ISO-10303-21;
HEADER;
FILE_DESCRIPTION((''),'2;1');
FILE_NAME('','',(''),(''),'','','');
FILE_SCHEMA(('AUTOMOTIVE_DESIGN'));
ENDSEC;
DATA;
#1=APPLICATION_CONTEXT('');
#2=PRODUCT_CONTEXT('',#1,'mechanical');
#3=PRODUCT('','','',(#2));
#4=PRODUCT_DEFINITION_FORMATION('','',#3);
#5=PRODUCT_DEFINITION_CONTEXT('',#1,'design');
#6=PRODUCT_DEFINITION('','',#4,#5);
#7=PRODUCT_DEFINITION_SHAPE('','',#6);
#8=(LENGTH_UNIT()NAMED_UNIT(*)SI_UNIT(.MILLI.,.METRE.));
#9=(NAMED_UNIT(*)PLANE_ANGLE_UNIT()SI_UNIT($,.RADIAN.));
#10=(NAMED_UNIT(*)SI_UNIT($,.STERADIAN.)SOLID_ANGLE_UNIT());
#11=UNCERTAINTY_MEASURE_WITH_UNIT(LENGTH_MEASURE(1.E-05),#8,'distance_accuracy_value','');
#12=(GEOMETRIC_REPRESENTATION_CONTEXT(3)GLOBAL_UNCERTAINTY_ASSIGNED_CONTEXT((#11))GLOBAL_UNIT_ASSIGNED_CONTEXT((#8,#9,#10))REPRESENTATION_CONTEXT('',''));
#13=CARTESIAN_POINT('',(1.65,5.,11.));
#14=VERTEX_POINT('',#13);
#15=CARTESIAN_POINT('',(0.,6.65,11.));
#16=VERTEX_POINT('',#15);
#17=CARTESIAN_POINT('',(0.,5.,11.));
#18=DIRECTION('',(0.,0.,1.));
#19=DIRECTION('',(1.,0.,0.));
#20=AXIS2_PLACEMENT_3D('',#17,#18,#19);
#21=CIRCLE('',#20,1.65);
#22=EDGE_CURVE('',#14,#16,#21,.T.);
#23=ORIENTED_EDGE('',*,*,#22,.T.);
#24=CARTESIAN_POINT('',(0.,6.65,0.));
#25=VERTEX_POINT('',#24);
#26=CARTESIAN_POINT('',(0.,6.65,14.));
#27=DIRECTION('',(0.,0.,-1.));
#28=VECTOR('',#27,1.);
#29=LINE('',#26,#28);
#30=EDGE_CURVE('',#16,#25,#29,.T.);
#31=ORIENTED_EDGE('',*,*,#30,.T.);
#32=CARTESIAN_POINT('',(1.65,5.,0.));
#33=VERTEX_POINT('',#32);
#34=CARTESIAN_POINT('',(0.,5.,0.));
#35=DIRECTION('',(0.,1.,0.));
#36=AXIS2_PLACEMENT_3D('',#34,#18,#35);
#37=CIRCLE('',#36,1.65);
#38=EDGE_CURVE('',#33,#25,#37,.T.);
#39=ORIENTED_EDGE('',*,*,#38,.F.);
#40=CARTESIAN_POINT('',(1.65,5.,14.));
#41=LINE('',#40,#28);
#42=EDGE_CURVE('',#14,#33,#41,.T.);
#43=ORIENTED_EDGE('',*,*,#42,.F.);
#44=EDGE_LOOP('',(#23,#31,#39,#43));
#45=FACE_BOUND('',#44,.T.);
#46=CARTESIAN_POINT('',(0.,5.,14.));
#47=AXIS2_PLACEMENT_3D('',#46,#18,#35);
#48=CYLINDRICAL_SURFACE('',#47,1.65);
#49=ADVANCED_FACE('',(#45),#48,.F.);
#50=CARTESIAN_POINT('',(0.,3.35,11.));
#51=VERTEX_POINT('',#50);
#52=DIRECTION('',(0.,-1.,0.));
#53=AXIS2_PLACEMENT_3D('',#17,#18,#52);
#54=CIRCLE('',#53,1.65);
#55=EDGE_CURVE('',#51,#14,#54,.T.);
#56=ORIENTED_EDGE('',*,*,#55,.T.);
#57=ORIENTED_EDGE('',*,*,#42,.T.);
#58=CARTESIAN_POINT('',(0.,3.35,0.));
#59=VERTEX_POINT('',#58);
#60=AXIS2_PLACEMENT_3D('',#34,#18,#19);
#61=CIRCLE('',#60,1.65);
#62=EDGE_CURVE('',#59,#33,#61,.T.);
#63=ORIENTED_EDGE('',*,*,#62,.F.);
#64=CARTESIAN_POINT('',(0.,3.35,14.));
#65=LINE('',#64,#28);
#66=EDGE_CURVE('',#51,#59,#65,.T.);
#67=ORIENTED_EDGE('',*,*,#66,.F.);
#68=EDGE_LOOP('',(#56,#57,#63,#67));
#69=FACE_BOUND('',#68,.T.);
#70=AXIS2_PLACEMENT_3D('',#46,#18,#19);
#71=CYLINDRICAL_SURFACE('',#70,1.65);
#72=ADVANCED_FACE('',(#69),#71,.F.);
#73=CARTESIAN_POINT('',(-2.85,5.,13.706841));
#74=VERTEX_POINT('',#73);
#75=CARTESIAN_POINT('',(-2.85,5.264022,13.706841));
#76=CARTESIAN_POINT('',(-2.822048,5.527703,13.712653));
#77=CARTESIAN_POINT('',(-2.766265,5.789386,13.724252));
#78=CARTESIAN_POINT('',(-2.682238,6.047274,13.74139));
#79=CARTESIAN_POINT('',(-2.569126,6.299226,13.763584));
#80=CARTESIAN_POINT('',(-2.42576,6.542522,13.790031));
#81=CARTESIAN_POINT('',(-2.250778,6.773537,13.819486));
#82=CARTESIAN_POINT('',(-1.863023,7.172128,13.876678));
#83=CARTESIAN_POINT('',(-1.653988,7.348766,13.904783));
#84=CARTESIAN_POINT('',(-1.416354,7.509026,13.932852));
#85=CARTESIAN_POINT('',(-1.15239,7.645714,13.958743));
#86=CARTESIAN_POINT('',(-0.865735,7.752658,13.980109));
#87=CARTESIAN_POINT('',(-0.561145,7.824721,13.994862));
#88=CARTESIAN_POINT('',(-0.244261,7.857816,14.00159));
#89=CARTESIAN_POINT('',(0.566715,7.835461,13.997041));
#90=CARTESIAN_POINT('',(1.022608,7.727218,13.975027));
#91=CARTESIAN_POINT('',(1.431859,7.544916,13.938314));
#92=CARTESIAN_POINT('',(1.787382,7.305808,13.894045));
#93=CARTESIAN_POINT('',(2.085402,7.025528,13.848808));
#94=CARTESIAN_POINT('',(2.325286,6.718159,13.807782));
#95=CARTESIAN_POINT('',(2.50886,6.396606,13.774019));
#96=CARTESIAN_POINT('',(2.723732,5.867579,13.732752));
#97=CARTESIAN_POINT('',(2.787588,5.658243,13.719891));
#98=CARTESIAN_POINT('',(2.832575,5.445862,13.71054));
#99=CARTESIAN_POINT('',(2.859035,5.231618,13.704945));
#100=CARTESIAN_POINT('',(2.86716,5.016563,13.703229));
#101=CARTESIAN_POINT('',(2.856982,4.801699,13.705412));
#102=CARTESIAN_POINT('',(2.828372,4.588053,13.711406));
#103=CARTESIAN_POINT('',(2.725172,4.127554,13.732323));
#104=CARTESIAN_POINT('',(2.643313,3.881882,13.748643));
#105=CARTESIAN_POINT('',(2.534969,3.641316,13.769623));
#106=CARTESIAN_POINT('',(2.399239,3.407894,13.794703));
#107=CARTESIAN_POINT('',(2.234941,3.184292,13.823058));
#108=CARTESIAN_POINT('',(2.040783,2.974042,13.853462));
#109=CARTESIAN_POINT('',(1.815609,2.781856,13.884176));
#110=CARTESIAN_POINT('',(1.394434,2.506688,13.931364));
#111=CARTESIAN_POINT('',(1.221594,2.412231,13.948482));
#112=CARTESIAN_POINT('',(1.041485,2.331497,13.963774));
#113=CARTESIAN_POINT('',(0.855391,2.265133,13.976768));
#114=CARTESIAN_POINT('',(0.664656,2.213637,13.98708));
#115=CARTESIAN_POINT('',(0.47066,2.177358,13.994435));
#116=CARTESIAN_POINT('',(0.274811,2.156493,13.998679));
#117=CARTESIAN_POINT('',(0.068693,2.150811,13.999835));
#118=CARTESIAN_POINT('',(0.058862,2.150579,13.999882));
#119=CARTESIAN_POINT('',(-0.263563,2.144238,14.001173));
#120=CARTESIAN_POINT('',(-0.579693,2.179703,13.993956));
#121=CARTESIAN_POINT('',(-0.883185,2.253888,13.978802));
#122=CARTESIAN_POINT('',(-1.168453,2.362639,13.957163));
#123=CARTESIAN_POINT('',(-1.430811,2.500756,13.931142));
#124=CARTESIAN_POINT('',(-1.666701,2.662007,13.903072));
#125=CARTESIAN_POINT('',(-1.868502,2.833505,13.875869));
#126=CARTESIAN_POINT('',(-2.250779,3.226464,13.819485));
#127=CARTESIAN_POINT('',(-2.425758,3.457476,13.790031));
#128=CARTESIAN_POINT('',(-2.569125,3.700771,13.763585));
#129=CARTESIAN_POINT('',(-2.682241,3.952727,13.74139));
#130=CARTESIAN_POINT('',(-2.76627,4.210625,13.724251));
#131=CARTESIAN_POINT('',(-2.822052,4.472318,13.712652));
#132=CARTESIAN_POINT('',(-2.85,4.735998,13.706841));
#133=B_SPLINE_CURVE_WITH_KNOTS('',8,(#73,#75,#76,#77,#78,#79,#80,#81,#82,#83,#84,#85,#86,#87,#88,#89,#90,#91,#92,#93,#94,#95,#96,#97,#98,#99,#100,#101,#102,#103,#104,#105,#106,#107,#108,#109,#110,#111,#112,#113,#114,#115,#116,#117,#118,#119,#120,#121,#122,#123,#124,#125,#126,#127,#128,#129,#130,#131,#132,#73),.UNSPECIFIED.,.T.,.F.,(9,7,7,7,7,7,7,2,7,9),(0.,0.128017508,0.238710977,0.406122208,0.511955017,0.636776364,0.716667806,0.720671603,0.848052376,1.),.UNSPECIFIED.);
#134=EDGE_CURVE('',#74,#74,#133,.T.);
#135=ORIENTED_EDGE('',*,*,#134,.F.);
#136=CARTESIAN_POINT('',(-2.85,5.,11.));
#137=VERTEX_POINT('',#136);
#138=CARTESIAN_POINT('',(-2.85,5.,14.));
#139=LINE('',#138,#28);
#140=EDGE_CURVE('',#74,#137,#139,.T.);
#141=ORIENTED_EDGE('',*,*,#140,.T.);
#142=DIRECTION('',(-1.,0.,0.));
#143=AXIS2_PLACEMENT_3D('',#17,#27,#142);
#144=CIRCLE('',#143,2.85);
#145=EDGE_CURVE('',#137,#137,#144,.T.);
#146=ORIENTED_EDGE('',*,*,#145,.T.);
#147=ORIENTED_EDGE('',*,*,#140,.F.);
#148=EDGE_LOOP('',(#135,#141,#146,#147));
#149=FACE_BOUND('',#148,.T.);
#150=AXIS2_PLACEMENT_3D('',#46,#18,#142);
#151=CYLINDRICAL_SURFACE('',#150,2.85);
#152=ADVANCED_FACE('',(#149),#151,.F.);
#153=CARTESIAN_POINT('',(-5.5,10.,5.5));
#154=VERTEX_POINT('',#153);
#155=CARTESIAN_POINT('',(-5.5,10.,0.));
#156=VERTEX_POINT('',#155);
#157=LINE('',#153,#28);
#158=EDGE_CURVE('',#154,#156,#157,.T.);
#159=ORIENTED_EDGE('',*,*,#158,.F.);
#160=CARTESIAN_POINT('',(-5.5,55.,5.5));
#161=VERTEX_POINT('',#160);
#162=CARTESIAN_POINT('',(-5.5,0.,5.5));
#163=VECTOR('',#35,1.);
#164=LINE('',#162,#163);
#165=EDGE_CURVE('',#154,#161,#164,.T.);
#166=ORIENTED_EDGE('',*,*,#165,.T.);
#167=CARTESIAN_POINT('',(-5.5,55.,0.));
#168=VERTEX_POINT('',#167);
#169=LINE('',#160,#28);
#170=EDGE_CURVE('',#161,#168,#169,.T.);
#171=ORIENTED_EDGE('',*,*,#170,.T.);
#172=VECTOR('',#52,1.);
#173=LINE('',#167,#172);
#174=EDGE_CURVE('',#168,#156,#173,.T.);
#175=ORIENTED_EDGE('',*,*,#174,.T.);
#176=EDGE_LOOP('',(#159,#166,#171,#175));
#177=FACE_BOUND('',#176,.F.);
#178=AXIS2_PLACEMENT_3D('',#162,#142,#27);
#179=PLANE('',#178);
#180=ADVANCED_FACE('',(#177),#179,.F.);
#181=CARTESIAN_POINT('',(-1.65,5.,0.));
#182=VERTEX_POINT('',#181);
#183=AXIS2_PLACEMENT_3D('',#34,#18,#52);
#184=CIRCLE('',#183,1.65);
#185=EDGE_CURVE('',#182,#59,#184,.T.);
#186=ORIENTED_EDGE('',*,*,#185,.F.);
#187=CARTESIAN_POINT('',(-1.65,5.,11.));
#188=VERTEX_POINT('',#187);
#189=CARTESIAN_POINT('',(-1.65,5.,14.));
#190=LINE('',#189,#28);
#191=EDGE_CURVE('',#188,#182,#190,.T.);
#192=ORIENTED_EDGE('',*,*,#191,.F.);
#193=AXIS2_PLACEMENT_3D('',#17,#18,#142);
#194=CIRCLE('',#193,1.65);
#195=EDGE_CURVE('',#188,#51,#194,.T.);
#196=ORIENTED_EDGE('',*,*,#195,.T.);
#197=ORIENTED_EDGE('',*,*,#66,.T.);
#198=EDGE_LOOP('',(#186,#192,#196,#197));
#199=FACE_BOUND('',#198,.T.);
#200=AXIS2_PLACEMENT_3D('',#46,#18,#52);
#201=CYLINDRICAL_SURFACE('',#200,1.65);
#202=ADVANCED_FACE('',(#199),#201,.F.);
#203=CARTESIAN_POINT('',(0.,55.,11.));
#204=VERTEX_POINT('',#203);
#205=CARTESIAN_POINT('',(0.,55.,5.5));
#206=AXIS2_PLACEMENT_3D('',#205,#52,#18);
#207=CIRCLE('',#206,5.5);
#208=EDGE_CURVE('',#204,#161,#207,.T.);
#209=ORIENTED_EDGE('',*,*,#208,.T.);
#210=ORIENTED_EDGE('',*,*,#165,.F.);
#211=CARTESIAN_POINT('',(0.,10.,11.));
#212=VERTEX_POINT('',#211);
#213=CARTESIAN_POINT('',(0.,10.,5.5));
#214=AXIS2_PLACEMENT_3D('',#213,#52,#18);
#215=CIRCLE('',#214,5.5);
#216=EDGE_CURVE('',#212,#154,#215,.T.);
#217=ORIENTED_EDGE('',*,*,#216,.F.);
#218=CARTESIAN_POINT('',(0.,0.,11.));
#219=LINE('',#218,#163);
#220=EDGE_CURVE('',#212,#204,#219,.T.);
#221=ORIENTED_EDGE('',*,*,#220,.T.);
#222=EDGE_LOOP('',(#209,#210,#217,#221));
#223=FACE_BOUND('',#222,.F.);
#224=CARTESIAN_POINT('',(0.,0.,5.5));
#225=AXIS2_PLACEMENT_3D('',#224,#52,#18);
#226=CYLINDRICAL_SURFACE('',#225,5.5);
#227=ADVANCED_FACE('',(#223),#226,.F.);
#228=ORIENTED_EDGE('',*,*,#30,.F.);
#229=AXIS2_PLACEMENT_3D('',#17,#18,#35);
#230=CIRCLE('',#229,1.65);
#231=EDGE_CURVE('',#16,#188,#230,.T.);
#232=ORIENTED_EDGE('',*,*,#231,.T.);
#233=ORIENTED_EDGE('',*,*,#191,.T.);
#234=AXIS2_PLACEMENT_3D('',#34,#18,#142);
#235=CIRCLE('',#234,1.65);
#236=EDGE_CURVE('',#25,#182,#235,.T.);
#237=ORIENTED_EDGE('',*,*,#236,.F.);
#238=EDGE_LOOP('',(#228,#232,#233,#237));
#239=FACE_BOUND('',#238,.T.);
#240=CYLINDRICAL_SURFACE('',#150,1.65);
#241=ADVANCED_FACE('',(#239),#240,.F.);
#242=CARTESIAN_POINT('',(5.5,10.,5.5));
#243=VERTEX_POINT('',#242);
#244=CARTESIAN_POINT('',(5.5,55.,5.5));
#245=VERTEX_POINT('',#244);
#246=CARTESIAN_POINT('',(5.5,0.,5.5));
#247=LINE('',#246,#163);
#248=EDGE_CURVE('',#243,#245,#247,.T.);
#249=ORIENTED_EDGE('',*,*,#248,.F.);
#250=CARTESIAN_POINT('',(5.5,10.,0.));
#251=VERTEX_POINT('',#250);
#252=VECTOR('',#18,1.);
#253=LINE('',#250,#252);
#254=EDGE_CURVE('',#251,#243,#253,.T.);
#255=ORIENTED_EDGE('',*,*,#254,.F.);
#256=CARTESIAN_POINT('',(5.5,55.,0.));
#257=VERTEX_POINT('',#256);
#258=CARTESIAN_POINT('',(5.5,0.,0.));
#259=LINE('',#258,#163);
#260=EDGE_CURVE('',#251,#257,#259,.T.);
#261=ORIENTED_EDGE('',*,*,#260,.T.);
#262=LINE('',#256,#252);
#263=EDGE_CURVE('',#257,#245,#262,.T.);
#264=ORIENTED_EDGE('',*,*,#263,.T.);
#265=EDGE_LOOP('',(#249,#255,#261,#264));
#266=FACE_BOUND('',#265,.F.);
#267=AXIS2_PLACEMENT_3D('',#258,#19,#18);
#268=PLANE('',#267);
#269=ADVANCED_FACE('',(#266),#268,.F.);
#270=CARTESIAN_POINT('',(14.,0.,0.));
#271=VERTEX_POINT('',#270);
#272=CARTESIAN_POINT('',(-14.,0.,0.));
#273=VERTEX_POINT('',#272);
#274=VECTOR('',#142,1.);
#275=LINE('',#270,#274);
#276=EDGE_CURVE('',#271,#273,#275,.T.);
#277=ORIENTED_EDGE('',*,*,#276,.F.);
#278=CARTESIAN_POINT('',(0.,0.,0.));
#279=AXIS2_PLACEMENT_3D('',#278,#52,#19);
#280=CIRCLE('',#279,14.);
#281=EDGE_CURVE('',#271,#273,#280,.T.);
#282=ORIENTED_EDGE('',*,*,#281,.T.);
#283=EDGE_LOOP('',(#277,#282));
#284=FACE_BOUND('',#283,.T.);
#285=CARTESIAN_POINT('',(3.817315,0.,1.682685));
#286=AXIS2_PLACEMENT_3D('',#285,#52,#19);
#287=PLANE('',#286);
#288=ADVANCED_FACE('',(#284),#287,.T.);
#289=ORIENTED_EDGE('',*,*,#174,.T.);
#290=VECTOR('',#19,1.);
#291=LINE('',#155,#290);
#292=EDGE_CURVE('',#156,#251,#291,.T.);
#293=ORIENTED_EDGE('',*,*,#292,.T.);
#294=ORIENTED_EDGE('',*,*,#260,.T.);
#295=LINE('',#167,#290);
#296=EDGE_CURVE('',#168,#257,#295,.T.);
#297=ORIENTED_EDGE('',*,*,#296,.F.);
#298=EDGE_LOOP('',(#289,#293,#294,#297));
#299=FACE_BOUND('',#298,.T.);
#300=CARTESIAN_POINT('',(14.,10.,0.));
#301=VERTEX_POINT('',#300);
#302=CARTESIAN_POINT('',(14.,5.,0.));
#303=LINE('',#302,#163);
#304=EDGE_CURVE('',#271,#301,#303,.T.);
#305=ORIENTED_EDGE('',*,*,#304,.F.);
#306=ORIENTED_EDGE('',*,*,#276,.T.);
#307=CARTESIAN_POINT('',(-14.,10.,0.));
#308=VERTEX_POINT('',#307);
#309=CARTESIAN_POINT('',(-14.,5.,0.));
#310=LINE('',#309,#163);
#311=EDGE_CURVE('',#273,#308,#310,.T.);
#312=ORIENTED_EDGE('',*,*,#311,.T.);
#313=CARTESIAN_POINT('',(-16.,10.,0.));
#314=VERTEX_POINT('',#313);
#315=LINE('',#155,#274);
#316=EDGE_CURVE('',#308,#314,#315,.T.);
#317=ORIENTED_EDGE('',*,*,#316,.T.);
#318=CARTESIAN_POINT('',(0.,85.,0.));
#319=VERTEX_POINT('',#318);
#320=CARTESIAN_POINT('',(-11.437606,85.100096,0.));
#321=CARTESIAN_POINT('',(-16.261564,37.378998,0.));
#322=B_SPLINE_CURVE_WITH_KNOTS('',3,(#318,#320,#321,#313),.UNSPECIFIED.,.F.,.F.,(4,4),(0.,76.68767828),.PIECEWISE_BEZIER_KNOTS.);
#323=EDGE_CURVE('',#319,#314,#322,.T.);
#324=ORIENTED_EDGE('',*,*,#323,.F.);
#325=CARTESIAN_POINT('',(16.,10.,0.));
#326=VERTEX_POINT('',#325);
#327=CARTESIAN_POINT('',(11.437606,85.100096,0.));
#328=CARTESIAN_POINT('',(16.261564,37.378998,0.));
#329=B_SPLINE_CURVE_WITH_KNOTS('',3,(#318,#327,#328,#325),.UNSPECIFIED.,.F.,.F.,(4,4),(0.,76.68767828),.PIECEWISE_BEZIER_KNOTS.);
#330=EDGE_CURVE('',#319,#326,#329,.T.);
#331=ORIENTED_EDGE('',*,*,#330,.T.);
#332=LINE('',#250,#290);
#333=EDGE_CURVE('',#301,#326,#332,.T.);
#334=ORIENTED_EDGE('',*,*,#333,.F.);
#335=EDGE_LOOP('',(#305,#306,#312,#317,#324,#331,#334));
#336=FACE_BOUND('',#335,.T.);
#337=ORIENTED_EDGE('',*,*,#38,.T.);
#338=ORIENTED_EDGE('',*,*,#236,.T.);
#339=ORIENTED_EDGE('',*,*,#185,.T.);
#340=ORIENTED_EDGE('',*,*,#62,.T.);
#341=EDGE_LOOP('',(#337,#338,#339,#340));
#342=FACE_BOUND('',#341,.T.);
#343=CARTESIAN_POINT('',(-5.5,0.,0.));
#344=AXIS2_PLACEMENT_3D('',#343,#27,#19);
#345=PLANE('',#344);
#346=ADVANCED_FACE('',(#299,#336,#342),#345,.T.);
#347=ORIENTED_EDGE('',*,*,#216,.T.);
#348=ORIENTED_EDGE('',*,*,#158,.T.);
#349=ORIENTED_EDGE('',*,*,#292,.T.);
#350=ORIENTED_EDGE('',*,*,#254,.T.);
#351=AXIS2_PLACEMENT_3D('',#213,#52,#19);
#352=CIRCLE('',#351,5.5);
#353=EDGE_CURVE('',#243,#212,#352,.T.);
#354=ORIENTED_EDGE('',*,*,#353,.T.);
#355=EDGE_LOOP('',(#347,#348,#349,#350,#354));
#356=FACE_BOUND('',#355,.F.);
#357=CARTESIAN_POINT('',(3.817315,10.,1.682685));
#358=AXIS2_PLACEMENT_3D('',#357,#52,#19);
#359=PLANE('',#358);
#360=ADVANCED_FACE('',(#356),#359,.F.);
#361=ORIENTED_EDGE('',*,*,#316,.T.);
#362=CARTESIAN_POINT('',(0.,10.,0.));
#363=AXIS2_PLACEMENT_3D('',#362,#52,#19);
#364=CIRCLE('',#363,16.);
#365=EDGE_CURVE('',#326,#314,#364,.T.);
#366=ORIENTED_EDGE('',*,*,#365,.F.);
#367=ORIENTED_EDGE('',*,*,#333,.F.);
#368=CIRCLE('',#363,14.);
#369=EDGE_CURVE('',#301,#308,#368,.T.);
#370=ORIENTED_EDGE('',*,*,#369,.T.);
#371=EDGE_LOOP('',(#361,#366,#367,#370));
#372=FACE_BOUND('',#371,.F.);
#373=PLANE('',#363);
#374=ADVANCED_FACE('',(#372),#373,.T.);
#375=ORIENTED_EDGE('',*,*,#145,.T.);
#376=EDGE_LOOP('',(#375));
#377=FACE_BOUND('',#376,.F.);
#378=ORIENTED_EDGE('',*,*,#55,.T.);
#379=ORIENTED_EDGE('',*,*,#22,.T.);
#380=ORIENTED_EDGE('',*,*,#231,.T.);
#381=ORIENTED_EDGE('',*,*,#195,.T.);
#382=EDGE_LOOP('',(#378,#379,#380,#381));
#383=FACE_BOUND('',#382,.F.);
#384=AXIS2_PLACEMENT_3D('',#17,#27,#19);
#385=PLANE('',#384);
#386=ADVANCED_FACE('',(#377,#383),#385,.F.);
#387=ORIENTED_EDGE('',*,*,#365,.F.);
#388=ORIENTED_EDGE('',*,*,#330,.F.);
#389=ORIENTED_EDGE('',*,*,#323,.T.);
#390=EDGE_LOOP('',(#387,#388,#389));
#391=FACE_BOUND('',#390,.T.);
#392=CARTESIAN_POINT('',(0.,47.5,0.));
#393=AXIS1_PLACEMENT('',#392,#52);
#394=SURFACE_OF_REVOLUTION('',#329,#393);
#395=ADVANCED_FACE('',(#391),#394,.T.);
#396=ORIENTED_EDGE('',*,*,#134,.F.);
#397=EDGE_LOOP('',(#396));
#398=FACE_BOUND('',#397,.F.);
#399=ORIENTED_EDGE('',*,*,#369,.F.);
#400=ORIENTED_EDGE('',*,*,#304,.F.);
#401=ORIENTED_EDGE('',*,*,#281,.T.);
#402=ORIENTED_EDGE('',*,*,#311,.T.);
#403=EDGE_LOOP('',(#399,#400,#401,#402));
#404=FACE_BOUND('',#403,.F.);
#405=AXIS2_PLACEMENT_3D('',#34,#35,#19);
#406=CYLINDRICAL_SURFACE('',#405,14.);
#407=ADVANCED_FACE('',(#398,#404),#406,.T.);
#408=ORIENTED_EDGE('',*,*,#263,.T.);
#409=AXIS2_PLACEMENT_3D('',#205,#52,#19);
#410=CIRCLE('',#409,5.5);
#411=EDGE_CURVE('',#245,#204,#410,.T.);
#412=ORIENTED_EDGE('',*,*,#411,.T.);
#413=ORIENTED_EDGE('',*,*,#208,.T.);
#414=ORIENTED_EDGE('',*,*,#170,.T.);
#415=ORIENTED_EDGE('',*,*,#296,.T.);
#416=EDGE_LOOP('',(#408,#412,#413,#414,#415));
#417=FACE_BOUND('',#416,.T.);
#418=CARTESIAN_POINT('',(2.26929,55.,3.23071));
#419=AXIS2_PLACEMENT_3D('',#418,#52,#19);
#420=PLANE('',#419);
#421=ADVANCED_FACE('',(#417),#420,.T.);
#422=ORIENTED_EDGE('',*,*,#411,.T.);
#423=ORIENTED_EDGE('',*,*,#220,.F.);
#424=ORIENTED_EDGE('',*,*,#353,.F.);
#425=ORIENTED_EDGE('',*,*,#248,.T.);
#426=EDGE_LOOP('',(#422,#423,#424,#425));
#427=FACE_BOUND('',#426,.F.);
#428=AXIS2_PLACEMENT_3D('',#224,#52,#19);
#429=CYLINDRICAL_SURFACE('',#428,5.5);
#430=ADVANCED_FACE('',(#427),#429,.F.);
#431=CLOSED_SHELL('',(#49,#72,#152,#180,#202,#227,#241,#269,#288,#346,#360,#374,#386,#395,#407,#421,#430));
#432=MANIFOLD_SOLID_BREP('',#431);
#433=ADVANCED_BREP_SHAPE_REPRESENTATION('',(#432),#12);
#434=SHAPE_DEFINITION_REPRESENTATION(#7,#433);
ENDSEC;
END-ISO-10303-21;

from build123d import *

# Parameters (mm, degrees)
F0_W     = 8.5
F0_H     = 10
F2_ANGLE = 180
F3_DEPTH = 55
F4_DEPTH = 10
F7_DEPTH = 25
F8_DEPTH = 3


with BuildPart() as f2:
    # F0 (on Top) → F2 (revolve)
    with BuildSketch(Plane.XY):
        with BuildLine():
            Line((0, 85), (0, 45))
            Line((0, 45), (5.5, 45))
            Line((5.5, 45), (5.5, 10))
            Line((5.5, 10), (14, 10))
            Line((14, 10), (16, 10))
            add(Edge.make_bspline(
                [(0, 85), (11.4376060665, 85.1000958681), (16.2615635544, 37.3789982498), (16, 10)],
                knots=[0, 0, 0, 0, 76.6876782802, 76.6876782802, 76.6876782802, 76.6876782802], degree=3))
        make_face()
        with Locations((9.75, 5)):
            Rectangle(F0_W, F0_H)
    revolve(axis=Axis((0, 47.5, 0), (0, -1, 0)), revolution_arc=F2_ANGLE)

    # F1 (on Front) → F3 (cut)
    with BuildSketch(Plane.XZ):
        with BuildLine():
            Line((0, 5.5), (0, 0))
            ThreePointArc((0, 0), (3.8890872965, 1.6109127035), (5.5, 5.5))
            Line((5.5, 5.5), (0, 5.5))
        make_face()
        with BuildLine():
            ThreePointArc((5.5, 5.5), (3.8890872965, 1.6109127035), (0, 0))
            Line((0, 0), (5.5, 0))
            Line((5.5, 0), (5.5, 5.5))
        make_face()
        with BuildLine():
            Line((-5.5, 0), (0, 0))
            ThreePointArc((0, 0), (-3.8890872965, 1.6109127035), (-5.5, 5.5))
            Line((-5.5, 5.5), (-5.5, 0))
        make_face()
        with BuildLine():
            ThreePointArc((-5.5, 5.5), (-3.8890872965, 1.6109127035), (0, 0))
            Line((0, 0), (0, 5.5))
            Line((0, 5.5), (-5.5, 5.5))
        make_face()
        with BuildLine():
            Line((-5.5, 5.5), (0, 5.5))
            Line((0, 5.5), (0, 11))
            ThreePointArc((0, 11), (-3.8890872965, 9.3890872965), (-5.5, 5.5))
        make_face()
        with BuildLine():
            Line((0, 11), (0, 5.5))
            Line((0, 5.5), (5.5, 5.5))
            ThreePointArc((5.5, 5.5), (3.8890872965, 9.3890872965), (0, 11))
        make_face()
    extrude(amount=-F3_DEPTH, mode=Mode.SUBTRACT)

    # F1 (on Front) → F4 (join)
    with BuildSketch(Plane.XZ):
        with BuildLine():
            ThreePointArc((5.5, 5.5), (3.8890872965, 1.6109127035), (0, 0))
            Line((0, 0), (5.5, 0))
            Line((5.5, 0), (5.5, 5.5))
        make_face()
        with BuildLine():
            Line((0, 5.5), (0, 0))
            ThreePointArc((0, 0), (3.8890872965, 1.6109127035), (5.5, 5.5))
            Line((5.5, 5.5), (0, 5.5))
        make_face()
        with BuildLine():
            Line((0, 11), (0, 5.5))
            Line((0, 5.5), (5.5, 5.5))
            ThreePointArc((5.5, 5.5), (3.8890872965, 9.3890872965), (0, 11))
        make_face()
        with BuildLine():
            Line((-5.5, 5.5), (0, 5.5))
            Line((0, 5.5), (0, 11))
            ThreePointArc((0, 11), (-3.8890872965, 9.3890872965), (-5.5, 5.5))
        make_face()
        with BuildLine():
            ThreePointArc((-5.5, 5.5), (-3.8890872965, 1.6109127035), (0, 0))
            Line((0, 0), (0, 5.5))
            Line((0, 5.5), (-5.5, 5.5))
        make_face()
        with BuildLine():
            Line((-5.5, 0), (0, 0))
            ThreePointArc((0, 0), (-3.8890872965, 1.6109127035), (-5.5, 5.5))
            Line((-5.5, 5.5), (-5.5, 0))
        make_face()
    extrude(amount=-F4_DEPTH)

    # F6 (on offset) → F7 (cut)
    with BuildSketch(Plane(origin=(0, 0, 14), x_dir=(1, 0, 0), z_dir=(0, 0, -1))):
        with BuildLine():
            Line((0, -3.35), (0, -5))
            Line((0, -5), (0, -6.65))
            ThreePointArc((0, -6.65), (1.166726189, -6.166726189), (1.65, -5))
            ThreePointArc((1.65, -5), (1.166726189, -3.833273811), (0, -3.35))
        make_face()
        with BuildLine():
            ThreePointArc((0, -3.35), (-1.166726189, -3.833273811), (-1.65, -5))
            Line((-1.65, -5), (0, -5))
            Line((0, -5), (0, -3.35))
        make_face()
        with BuildLine():
            Line((0, -5), (-1.65, -5))
            ThreePointArc((-1.65, -5), (-1.166726189, -6.166726189), (0, -6.65))
            Line((0, -6.65), (0, -5))
        make_face()
    extrude(amount=F7_DEPTH, mode=Mode.SUBTRACT)

    # F6 (on offset) → F8 (cut)
    with BuildSketch(Plane(origin=(0, 0, 14), x_dir=(1, 0, 0), z_dir=(0, 0, -1))):
        with BuildLine():
            ThreePointArc((2.85, -5), (0, -2.15), (-2.85, -5))
            ThreePointArc((-2.85, -5), (0, -7.85), (2.85, -5))
        make_face()
        with BuildLine():
            ThreePointArc((0, -6.65), (-1.166726189, -6.166726189), (-1.65, -5))
            ThreePointArc((-1.65, -5), (-1.166726189, -3.833273811), (0, -3.35))
            ThreePointArc((0, -3.35), (1.166726189, -3.833273811), (1.65, -5))
            ThreePointArc((1.65, -5), (1.166726189, -6.166726189), (0, -6.65))
        make_face(mode=Mode.SUBTRACT)
    extrude(amount=F8_DEPTH, mode=Mode.SUBTRACT)


solid = f2.part
